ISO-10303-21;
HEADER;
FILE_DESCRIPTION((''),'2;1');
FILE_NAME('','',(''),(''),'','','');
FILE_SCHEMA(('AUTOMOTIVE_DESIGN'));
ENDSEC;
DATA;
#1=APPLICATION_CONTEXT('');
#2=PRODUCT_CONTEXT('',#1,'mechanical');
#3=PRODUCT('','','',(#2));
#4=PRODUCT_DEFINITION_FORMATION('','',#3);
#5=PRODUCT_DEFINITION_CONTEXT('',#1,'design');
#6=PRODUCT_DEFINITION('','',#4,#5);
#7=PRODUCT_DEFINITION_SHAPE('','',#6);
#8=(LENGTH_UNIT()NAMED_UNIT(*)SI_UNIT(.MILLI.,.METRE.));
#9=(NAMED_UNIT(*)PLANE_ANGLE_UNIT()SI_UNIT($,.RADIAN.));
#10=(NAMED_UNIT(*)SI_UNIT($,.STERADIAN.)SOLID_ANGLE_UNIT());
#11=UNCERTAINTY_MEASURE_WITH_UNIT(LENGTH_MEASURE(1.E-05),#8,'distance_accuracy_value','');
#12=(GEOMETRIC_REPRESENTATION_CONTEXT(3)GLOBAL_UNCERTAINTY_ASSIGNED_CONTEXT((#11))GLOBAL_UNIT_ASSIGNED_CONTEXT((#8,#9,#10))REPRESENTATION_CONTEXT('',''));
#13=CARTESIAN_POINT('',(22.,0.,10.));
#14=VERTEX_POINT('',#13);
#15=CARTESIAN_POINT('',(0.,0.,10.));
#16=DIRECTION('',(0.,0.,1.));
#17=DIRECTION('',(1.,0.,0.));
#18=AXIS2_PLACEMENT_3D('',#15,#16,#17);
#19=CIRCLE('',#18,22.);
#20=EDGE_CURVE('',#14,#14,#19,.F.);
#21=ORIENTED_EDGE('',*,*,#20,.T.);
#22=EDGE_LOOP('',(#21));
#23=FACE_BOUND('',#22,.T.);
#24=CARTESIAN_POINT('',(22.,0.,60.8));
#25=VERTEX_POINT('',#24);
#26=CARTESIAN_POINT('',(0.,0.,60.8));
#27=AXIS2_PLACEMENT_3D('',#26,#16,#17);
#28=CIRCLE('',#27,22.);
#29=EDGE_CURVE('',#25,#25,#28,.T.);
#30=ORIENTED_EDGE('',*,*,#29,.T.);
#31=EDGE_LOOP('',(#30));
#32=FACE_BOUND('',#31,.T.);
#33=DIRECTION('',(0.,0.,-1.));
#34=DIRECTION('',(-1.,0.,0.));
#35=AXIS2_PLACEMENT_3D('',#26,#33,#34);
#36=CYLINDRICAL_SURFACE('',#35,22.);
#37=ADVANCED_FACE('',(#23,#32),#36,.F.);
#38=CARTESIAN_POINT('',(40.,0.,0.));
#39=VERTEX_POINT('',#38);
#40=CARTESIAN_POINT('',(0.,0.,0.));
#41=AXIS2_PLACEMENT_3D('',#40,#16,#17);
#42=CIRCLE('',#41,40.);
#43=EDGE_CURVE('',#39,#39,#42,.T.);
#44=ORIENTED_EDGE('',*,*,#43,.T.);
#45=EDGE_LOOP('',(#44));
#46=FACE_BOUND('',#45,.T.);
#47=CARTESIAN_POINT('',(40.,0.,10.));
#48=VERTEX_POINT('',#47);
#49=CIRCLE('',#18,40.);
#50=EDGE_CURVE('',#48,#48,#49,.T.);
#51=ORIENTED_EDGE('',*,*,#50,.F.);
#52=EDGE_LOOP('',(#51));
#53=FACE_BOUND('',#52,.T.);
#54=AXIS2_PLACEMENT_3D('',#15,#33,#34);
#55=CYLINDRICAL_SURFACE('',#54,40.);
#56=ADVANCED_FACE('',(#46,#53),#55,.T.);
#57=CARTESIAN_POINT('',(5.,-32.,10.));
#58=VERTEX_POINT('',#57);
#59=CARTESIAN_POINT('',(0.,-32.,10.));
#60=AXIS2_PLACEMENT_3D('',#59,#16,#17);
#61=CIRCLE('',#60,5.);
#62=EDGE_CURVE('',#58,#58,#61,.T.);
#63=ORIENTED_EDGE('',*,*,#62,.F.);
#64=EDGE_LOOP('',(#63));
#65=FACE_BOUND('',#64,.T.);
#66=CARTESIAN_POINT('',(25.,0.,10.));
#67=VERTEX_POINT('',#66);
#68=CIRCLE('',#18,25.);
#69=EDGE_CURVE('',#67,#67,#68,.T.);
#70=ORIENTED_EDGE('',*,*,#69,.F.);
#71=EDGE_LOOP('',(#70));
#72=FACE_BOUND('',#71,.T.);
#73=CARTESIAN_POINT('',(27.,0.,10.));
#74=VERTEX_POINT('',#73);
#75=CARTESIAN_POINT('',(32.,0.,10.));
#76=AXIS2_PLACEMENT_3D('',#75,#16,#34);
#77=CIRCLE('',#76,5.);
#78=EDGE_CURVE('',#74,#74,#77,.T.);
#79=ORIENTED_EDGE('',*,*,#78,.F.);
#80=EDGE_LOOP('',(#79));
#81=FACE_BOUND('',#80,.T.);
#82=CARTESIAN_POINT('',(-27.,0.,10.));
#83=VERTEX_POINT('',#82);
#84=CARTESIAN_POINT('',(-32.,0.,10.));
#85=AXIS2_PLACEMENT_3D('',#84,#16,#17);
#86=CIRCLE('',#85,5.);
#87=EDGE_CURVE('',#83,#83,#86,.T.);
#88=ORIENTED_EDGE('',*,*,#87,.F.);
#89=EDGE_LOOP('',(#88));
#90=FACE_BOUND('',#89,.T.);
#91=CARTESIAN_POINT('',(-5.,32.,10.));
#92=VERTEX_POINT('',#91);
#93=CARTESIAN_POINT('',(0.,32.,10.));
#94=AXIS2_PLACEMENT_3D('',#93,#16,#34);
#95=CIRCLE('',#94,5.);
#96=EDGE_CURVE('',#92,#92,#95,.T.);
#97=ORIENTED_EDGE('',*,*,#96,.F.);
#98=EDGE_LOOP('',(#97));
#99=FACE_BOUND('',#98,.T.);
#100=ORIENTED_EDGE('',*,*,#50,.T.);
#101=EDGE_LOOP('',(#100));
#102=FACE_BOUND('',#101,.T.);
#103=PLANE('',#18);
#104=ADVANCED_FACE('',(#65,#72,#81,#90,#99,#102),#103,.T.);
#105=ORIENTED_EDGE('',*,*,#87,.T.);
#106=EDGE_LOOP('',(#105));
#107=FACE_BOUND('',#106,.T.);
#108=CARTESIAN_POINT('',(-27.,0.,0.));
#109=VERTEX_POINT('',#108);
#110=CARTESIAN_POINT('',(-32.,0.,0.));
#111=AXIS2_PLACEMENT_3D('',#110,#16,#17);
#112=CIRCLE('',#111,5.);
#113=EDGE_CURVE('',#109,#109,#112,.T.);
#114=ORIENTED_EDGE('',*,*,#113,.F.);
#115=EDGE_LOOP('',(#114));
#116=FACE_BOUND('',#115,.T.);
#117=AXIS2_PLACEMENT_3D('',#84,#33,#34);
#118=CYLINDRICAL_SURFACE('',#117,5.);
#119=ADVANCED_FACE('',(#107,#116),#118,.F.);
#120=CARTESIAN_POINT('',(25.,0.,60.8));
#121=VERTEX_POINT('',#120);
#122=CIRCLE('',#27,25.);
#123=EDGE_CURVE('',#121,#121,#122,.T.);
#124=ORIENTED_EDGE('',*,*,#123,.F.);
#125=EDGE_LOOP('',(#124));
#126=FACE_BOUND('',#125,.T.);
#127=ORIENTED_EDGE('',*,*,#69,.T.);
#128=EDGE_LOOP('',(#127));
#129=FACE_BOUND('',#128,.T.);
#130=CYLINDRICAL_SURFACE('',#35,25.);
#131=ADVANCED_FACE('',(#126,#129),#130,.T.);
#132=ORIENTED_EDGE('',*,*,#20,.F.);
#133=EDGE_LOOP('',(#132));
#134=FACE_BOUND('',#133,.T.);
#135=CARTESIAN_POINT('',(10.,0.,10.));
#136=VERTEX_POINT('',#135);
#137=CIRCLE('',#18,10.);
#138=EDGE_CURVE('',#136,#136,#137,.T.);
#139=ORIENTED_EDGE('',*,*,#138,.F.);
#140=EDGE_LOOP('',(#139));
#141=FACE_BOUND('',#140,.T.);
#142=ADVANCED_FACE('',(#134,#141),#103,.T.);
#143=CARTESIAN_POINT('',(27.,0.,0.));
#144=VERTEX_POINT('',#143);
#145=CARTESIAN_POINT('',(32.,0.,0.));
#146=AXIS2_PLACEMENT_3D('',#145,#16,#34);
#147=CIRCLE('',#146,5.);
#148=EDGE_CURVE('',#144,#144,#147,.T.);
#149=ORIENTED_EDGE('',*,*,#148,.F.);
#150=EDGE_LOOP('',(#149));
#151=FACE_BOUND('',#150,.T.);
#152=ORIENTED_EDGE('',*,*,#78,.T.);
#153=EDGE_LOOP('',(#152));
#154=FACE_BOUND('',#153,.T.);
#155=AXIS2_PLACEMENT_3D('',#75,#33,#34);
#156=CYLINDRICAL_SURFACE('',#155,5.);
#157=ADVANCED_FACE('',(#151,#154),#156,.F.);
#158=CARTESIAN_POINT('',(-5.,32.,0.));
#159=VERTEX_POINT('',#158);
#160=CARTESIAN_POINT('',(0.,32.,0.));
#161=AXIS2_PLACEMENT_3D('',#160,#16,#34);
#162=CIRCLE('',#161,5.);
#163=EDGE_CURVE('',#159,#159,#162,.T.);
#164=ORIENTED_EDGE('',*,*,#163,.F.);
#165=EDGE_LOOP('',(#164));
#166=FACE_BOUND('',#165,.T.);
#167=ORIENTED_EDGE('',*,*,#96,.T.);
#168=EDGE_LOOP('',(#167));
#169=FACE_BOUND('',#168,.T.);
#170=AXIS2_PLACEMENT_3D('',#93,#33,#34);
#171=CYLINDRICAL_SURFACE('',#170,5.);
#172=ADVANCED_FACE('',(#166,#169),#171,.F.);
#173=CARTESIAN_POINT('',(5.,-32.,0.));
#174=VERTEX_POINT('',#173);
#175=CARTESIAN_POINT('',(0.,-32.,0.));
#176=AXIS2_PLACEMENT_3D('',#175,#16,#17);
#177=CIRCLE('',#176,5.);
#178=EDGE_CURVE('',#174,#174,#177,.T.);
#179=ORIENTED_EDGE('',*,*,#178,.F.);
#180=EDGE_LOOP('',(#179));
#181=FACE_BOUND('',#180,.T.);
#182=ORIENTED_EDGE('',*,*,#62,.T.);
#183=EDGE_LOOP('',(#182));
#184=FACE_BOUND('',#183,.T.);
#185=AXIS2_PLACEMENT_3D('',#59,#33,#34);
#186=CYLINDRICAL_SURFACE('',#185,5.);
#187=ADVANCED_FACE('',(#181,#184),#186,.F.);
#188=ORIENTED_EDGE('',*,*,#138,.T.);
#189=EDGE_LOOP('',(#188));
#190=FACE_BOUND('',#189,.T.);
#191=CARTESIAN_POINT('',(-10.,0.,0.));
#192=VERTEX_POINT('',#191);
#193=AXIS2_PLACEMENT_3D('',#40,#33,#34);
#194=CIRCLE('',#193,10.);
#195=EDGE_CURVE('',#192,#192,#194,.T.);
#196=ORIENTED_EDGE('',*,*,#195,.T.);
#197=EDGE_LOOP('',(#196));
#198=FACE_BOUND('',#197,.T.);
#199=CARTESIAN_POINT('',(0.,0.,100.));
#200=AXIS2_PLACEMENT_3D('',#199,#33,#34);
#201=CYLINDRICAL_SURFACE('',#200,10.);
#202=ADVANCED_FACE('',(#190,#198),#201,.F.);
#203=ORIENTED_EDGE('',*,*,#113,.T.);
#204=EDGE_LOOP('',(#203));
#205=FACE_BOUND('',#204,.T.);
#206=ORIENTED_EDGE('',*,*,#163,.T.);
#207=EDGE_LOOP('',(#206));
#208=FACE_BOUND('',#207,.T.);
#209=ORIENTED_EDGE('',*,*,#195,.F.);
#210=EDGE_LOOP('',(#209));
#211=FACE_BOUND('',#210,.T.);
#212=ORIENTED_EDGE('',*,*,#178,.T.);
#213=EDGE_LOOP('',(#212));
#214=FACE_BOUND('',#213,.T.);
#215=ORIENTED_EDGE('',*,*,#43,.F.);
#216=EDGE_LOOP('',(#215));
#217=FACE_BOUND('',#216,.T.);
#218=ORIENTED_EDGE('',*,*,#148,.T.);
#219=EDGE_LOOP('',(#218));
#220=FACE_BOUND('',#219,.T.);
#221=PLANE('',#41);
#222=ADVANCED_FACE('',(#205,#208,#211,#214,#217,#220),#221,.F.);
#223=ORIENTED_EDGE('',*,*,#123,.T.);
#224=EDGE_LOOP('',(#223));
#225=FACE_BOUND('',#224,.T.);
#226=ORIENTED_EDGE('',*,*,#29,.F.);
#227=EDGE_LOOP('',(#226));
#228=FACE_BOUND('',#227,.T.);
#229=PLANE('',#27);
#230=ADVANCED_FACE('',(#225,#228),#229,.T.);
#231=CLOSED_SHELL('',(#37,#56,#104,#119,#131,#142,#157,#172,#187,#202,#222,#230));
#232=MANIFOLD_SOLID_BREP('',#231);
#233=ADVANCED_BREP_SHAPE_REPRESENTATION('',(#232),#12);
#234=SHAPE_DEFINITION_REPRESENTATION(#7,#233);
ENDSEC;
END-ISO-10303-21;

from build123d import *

# Parameters (mm, degrees)
SKETCH1_R           = 40
SKETCH1_R_2         = 5
BOSS_EXTRUDE3_DEPTH = 10
SKETCH3_R           = 25
SKETCH3_R_2         = 22
BOSS_EXTRUDE4_DEPTH = 50.8
SKETCH9_R           = 10
CUT_EXTRUDE1_DEPTH  = 100


with BuildPart() as part:
    # Sketch1 → Boss-Extrude3 (new body)
    with BuildSketch(Plane.XY):
        Circle(SKETCH1_R)
        with Locations((0, -32)):
            Circle(SKETCH1_R_2, mode=Mode.SUBTRACT)
        with Locations(Location((0, 32, 0), (0, 0, 180))):
            Circle(SKETCH1_R_2, mode=Mode.SUBTRACT)
        with Locations((-32, 0)):
            Circle(SKETCH1_R_2, mode=Mode.SUBTRACT)
        with Locations(Location((32, 0, 0), (0, 0, 180))):
            Circle(SKETCH1_R_2, mode=Mode.SUBTRACT)
    extrude(amount=BOSS_EXTRUDE3_DEPTH)

    # Sketch3 → Boss-Extrude4 (add)
    with BuildSketch(Plane.XY.offset(10)):
        Circle(SKETCH3_R)
        Circle(SKETCH3_R_2, mode=Mode.SUBTRACT)
    extrude(amount=BOSS_EXTRUDE4_DEPTH)

    # Sketch9 → Cut-Extrude1 (cut)
    with BuildSketch(Plane(origin=(0, 0, 0), x_dir=(-1, 0, 0), z_dir=(0, 0, -1))):
        Circle(SKETCH9_R)
    extrude(amount=-CUT_EXTRUDE1_DEPTH, mode=Mode.SUBTRACT)


solid = part.part
